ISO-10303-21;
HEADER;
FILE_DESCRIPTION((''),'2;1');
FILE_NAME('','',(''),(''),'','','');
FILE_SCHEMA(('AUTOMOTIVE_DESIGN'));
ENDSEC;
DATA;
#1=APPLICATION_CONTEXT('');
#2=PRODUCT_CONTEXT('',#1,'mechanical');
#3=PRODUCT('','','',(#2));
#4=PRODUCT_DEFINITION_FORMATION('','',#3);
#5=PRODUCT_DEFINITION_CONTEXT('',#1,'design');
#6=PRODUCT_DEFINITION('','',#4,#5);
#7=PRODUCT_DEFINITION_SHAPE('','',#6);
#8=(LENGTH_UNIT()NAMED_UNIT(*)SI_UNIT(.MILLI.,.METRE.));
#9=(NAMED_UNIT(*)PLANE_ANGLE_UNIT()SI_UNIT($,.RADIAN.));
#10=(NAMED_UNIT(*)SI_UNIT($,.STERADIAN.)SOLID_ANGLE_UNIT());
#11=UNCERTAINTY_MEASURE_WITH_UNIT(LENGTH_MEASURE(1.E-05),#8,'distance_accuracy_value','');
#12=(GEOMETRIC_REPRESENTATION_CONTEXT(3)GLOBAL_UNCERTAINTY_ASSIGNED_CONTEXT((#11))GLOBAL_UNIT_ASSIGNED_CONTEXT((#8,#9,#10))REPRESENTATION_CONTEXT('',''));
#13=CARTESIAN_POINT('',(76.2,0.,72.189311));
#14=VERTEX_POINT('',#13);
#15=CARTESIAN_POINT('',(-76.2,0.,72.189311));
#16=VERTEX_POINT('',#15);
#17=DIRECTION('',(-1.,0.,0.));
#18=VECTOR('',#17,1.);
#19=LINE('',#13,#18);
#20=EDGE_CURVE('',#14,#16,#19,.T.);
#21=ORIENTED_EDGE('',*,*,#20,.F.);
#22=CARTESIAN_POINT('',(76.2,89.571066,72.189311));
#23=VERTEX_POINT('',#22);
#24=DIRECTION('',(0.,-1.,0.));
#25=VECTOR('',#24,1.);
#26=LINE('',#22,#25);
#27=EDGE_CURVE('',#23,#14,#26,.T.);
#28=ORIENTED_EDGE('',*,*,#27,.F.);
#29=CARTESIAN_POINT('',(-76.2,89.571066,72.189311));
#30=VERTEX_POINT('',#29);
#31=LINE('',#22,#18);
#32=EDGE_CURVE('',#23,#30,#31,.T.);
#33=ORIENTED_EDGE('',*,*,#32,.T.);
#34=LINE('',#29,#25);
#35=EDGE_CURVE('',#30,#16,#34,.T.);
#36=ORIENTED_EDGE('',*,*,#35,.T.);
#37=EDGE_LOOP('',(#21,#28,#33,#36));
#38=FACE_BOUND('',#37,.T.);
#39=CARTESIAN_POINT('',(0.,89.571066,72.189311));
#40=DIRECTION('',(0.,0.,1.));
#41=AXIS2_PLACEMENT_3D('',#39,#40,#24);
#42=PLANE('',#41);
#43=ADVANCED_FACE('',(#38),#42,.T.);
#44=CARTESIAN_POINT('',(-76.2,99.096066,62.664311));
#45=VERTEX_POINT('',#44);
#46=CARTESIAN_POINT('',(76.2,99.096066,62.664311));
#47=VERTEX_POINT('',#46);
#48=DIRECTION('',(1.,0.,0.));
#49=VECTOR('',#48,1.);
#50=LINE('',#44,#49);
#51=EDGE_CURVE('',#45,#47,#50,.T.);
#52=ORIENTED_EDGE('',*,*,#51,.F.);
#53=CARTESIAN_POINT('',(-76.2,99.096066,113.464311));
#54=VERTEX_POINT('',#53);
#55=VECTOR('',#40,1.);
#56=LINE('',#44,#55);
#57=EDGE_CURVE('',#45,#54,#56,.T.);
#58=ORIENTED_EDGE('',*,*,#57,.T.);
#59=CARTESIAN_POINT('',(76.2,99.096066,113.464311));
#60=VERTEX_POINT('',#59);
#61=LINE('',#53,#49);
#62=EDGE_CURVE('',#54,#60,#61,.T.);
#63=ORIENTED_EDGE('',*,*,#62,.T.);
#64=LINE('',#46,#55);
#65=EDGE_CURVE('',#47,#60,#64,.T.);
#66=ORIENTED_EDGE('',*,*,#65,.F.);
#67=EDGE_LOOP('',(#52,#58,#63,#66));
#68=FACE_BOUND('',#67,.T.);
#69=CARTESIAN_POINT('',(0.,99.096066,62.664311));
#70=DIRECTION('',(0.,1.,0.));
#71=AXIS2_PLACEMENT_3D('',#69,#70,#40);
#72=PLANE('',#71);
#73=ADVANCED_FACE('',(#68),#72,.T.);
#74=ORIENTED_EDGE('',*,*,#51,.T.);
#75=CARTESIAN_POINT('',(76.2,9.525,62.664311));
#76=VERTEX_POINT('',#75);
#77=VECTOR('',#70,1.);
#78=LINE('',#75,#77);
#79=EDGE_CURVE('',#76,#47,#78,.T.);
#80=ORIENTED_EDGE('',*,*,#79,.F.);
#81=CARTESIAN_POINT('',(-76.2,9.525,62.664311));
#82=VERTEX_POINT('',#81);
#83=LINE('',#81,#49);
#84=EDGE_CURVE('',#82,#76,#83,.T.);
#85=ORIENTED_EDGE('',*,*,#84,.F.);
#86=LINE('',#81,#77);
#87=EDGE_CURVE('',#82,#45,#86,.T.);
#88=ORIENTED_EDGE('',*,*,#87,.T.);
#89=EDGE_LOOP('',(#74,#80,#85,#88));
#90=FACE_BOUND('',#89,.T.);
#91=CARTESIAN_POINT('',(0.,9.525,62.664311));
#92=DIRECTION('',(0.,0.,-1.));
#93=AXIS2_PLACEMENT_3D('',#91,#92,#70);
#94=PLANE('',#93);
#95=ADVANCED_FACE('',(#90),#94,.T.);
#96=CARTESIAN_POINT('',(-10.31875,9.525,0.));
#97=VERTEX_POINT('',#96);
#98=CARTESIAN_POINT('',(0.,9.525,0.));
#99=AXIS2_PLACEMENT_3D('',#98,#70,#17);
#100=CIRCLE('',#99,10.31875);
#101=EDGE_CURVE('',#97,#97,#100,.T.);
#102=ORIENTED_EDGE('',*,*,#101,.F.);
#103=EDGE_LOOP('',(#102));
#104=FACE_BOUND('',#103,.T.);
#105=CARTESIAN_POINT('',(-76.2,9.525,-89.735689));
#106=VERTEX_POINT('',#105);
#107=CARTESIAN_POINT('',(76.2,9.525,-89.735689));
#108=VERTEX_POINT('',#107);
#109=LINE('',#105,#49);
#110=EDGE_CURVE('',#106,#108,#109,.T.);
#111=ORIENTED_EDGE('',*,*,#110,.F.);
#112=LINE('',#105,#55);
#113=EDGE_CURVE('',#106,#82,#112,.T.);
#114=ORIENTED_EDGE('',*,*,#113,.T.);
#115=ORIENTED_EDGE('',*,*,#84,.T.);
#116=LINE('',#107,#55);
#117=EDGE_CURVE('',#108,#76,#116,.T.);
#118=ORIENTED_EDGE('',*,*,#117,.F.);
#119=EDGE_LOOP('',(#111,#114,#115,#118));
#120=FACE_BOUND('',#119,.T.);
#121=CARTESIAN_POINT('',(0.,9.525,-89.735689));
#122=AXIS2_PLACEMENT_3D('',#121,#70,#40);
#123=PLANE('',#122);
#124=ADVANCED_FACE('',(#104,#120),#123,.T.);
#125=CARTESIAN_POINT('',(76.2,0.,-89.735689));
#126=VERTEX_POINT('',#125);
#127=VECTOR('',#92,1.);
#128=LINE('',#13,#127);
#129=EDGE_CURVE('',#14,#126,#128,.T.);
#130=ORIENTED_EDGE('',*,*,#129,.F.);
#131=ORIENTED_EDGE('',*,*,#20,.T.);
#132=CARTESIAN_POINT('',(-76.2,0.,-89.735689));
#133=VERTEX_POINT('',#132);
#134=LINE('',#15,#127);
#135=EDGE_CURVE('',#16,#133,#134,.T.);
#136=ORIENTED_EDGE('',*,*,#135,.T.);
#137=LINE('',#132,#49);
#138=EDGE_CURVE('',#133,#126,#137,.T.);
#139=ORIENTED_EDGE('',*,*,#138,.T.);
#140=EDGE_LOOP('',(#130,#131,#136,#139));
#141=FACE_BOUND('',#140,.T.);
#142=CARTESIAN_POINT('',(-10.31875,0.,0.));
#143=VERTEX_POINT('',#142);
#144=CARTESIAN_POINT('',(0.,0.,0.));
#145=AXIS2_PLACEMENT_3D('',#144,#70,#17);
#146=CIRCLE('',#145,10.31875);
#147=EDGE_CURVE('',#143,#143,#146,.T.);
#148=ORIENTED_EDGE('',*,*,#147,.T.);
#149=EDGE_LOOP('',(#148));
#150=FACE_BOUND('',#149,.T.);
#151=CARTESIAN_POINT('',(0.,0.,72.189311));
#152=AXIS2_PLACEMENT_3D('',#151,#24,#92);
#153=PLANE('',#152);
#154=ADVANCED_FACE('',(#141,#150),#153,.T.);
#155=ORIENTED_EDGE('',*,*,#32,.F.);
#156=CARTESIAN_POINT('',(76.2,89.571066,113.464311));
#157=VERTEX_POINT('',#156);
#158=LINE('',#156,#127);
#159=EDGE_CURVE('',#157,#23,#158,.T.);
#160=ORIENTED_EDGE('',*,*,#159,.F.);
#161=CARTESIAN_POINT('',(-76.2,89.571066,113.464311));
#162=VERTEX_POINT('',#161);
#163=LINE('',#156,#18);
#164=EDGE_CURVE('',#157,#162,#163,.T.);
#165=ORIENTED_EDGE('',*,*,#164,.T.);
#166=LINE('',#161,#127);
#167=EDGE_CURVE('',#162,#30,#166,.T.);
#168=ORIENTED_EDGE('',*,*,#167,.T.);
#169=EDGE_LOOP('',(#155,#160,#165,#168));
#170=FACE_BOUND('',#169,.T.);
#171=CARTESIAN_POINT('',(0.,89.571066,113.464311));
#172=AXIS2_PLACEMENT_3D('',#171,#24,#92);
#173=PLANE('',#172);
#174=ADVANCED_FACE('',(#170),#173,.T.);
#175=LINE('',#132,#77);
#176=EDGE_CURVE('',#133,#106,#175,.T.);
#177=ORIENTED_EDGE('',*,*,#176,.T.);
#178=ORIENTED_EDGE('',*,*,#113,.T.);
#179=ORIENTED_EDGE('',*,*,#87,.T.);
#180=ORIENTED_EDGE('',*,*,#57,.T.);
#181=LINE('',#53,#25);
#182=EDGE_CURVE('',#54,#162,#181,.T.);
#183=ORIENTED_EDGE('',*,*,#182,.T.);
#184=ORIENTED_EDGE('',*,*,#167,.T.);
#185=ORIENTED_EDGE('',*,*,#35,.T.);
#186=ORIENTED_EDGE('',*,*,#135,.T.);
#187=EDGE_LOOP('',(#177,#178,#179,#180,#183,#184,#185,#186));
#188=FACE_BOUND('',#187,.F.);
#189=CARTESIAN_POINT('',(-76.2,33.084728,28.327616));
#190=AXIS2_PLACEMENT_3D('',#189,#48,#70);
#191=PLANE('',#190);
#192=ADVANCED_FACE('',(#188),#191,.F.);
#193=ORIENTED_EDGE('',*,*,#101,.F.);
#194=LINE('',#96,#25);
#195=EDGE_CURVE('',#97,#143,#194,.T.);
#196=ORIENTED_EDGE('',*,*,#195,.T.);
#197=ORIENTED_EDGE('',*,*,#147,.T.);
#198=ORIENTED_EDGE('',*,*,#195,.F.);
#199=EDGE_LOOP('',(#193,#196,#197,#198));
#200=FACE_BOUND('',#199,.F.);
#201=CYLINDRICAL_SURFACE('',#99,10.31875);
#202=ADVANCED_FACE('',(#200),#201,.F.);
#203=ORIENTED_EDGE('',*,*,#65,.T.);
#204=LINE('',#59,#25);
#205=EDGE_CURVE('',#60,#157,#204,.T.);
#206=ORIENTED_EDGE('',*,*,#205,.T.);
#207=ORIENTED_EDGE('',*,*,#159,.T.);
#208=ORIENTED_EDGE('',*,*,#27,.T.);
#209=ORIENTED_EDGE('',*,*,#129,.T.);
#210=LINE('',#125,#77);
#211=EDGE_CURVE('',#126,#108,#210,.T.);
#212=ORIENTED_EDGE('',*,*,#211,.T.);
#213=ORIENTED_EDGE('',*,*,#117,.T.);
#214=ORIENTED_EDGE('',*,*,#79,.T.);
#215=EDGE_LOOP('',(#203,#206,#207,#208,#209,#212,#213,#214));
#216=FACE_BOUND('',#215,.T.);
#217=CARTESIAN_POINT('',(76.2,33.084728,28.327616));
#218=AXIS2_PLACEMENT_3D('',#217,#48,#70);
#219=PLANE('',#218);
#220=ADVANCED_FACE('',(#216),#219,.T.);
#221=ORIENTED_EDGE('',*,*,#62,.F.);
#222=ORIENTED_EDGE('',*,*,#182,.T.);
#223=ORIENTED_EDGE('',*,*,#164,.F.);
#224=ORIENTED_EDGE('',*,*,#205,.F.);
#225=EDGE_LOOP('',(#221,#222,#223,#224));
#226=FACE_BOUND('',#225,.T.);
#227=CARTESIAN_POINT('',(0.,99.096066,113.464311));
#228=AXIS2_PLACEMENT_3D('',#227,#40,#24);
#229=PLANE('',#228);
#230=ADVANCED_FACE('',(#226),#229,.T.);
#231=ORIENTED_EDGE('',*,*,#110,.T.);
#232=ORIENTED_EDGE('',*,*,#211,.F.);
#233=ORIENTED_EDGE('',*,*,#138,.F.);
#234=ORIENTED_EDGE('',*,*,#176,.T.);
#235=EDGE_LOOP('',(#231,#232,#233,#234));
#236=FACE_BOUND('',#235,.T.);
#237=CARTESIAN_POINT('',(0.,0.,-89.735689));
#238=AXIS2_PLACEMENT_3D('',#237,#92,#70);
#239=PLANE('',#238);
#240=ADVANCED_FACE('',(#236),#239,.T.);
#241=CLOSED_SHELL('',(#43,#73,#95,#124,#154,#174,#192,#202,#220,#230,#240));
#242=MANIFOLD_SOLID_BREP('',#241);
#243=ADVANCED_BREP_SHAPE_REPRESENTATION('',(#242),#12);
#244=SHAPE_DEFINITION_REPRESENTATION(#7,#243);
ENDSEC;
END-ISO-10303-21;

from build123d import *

# Parameters (mm, degrees)
F1_DEPTH = 76.2
F2_R     = 10.31875
F3_DEPTH = 9.525


with BuildPart() as f1:
    # F0 (on Right) → F1 (new body, symmetric)
    with BuildSketch(Plane.YZ):
        Polygon((0, 72.189311), (0, -89.735689), (9.525, -89.735689), (9.525, 62.664311), (99.096066, 62.664311), (99.096066, 113.464311), (89.571066, 113.464311), (89.571066, 72.189311), align=None)
    extrude(amount=F1_DEPTH, both=True)

    # F2 (on face) → F3 (cut, through all)
    with BuildSketch(Plane(origin=(0, 9.525, 0), x_dir=(-1, 0, 0), z_dir=(0, 1, 0))):
        Circle(F2_R)
    extrude(amount=-F3_DEPTH, mode=Mode.SUBTRACT)


solid = f1.part
